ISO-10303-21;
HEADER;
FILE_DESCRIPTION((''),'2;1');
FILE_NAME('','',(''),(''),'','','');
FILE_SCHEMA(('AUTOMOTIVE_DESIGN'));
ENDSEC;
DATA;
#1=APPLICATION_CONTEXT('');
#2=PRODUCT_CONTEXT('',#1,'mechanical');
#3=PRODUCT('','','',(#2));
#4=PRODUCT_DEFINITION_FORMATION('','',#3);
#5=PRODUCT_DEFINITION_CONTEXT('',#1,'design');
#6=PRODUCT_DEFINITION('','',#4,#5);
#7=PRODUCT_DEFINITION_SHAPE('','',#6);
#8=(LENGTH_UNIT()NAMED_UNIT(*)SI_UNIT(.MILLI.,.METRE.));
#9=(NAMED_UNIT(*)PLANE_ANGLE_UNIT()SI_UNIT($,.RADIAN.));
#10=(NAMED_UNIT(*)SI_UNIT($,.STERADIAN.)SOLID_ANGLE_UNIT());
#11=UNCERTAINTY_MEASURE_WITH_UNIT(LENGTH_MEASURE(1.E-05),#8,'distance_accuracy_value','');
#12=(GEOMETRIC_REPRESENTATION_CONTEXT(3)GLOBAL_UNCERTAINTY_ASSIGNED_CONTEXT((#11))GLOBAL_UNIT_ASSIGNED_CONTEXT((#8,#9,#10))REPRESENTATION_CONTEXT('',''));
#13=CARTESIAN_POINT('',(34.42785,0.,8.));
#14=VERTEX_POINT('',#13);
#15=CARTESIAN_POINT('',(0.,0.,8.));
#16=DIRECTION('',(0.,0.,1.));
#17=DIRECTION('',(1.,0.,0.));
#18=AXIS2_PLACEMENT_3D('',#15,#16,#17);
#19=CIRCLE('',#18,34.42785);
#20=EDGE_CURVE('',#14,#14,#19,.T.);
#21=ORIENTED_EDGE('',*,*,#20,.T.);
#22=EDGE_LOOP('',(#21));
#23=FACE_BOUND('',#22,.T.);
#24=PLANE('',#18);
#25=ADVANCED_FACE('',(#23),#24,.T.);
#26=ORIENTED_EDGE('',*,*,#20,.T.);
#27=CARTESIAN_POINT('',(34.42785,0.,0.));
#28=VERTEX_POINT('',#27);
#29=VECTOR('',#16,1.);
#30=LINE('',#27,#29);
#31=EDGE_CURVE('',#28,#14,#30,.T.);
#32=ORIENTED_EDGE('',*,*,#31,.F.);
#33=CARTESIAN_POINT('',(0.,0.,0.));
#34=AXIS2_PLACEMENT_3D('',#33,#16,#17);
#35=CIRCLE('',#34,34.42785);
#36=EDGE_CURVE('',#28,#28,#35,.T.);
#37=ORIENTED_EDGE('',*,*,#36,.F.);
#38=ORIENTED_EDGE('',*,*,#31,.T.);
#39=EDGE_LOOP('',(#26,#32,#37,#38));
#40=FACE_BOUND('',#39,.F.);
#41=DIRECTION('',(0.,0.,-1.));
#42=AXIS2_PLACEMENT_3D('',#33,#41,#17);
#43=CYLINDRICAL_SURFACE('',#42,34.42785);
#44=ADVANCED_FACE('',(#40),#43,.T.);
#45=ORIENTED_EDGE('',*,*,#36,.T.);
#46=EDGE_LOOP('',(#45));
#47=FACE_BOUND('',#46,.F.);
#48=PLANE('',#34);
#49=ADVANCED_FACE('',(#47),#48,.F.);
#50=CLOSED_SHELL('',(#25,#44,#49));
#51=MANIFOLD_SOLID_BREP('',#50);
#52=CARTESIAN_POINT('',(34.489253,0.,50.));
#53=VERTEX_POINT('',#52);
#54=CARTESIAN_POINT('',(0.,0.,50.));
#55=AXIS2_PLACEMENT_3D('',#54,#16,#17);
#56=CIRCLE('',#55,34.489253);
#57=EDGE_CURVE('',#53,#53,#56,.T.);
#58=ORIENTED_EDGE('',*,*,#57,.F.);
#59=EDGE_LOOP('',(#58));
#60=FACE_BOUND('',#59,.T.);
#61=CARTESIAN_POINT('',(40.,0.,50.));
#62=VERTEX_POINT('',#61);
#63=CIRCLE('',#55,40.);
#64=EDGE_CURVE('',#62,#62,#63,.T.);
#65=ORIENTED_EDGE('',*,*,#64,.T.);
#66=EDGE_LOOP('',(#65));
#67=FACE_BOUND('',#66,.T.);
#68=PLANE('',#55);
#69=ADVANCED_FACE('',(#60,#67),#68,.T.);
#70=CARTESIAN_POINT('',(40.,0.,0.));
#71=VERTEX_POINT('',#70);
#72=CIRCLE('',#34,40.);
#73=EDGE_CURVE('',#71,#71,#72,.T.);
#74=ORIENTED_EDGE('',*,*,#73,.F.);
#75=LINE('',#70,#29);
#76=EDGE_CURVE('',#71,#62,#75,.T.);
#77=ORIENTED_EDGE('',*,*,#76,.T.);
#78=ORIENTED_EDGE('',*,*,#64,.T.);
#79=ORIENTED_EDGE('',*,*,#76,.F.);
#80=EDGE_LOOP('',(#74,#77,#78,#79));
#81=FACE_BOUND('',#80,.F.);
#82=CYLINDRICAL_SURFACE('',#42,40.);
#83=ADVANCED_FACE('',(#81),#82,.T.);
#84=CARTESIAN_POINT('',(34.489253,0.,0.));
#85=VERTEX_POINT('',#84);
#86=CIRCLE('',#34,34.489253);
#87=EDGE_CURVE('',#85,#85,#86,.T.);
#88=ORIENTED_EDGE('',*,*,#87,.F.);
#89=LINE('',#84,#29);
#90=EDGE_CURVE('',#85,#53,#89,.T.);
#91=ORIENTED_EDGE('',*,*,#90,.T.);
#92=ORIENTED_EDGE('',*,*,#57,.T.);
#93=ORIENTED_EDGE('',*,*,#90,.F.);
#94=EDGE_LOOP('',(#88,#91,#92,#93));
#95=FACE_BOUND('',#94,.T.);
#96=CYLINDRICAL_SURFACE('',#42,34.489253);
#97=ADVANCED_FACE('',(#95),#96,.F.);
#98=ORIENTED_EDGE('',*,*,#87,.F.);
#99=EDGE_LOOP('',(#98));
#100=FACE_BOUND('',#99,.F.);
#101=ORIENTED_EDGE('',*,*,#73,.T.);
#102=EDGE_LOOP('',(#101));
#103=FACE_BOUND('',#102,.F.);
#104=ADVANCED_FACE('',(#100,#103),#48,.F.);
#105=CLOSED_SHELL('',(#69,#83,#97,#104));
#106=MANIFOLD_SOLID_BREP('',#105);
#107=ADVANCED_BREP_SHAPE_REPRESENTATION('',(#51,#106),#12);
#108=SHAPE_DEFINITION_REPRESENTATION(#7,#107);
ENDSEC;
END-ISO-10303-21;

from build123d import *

# Parameters (mm, degrees)
F0_R     = 40
F0_R_2   = 34.489253
F1_DEPTH = 50
F0_R_3   = 34.42785
F2_DEPTH = 8


with BuildPart() as f1:
    # F0 (on Top) → F1 (new body)
    with BuildSketch(Plane.XY):
        Circle(F0_R)
        Circle(F0_R_2, mode=Mode.SUBTRACT)
    extrude(amount=F1_DEPTH)


with BuildPart() as f2:
    # F0 (on Top) → F2 (new body)
    with BuildSketch(Plane.XY):
        Circle(F0_R_3)
    extrude(amount=F2_DEPTH)


solid = Compound([f1.part, f2.part])
